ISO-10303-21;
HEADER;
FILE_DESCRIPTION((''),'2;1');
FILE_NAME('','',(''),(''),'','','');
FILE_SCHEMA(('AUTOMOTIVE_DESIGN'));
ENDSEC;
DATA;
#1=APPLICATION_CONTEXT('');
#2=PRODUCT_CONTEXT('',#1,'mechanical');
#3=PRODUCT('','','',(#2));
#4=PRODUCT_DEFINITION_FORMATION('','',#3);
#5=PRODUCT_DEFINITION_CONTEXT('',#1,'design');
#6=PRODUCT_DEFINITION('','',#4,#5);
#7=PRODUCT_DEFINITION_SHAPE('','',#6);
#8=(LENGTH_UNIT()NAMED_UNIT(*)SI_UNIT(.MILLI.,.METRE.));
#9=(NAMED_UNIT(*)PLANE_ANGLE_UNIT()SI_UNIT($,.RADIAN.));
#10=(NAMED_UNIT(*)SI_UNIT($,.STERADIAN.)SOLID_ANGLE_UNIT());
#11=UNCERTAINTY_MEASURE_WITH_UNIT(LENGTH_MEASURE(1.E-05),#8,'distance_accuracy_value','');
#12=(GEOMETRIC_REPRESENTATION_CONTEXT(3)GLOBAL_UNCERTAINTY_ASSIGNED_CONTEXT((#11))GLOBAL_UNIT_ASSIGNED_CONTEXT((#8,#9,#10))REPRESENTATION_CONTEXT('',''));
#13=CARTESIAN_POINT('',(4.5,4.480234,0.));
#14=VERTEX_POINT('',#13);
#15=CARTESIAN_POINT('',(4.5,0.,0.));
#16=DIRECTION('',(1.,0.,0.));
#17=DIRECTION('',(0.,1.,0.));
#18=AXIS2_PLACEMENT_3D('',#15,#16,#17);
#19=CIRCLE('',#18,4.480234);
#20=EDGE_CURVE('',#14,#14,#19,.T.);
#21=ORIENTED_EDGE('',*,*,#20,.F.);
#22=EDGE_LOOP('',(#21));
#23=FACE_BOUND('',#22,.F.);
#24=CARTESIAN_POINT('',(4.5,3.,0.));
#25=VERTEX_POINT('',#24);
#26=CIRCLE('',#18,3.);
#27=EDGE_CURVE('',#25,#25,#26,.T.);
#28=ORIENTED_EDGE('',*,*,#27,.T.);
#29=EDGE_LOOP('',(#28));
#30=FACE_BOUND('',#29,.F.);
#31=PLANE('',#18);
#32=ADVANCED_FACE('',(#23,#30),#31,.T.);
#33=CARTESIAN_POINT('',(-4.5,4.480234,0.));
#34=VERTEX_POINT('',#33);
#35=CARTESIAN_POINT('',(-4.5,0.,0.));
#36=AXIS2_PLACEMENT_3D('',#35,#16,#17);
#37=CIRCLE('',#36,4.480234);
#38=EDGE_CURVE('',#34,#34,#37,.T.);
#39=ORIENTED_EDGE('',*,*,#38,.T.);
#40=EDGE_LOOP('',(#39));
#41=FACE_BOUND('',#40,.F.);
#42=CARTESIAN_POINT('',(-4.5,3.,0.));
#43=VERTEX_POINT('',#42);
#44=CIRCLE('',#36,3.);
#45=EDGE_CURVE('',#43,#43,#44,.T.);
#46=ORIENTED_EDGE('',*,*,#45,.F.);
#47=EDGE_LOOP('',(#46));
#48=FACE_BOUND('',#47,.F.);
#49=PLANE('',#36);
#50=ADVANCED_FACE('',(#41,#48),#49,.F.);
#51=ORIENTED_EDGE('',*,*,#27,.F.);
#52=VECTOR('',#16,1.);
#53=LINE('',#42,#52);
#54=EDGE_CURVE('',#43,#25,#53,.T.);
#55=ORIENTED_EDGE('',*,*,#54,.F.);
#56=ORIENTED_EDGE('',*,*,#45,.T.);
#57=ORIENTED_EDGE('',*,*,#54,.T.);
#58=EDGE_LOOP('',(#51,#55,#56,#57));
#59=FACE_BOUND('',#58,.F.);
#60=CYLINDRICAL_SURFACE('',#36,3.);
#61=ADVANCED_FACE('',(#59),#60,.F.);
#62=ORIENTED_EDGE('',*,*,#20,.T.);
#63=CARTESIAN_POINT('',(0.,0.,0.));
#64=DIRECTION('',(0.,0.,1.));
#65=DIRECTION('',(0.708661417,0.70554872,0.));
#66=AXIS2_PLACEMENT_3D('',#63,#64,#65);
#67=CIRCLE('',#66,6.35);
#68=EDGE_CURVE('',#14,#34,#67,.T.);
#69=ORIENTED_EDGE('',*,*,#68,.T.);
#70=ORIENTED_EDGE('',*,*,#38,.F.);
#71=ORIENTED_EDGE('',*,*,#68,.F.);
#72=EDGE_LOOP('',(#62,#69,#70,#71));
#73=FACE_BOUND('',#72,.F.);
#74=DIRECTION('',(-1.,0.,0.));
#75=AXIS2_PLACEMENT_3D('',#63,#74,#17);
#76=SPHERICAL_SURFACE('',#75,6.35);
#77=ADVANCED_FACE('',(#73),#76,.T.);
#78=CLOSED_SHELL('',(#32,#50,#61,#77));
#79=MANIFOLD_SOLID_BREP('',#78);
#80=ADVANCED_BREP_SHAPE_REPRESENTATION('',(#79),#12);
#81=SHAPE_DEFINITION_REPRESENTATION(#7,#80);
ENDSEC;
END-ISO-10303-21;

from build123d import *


with BuildPart() as part:
    # 草图1 → 旋转1 (revolve)
    with BuildSketch(Plane.XY):
        with BuildLine():
            Line((-4.5, 3), (4.5, 3))
            Line((4.5, 3), (4.5, 4.480234369))
            ThreePointArc((4.5, 4.480234369), (0, 6.35), (-4.5, 4.480234369))
            Line((-4.5, 4.480234369), (-4.5, 3))
        make_face()
    revolve(axis=Axis((-13.719819454, 0, 0), (1, 0, 0)))


solid = part.part
